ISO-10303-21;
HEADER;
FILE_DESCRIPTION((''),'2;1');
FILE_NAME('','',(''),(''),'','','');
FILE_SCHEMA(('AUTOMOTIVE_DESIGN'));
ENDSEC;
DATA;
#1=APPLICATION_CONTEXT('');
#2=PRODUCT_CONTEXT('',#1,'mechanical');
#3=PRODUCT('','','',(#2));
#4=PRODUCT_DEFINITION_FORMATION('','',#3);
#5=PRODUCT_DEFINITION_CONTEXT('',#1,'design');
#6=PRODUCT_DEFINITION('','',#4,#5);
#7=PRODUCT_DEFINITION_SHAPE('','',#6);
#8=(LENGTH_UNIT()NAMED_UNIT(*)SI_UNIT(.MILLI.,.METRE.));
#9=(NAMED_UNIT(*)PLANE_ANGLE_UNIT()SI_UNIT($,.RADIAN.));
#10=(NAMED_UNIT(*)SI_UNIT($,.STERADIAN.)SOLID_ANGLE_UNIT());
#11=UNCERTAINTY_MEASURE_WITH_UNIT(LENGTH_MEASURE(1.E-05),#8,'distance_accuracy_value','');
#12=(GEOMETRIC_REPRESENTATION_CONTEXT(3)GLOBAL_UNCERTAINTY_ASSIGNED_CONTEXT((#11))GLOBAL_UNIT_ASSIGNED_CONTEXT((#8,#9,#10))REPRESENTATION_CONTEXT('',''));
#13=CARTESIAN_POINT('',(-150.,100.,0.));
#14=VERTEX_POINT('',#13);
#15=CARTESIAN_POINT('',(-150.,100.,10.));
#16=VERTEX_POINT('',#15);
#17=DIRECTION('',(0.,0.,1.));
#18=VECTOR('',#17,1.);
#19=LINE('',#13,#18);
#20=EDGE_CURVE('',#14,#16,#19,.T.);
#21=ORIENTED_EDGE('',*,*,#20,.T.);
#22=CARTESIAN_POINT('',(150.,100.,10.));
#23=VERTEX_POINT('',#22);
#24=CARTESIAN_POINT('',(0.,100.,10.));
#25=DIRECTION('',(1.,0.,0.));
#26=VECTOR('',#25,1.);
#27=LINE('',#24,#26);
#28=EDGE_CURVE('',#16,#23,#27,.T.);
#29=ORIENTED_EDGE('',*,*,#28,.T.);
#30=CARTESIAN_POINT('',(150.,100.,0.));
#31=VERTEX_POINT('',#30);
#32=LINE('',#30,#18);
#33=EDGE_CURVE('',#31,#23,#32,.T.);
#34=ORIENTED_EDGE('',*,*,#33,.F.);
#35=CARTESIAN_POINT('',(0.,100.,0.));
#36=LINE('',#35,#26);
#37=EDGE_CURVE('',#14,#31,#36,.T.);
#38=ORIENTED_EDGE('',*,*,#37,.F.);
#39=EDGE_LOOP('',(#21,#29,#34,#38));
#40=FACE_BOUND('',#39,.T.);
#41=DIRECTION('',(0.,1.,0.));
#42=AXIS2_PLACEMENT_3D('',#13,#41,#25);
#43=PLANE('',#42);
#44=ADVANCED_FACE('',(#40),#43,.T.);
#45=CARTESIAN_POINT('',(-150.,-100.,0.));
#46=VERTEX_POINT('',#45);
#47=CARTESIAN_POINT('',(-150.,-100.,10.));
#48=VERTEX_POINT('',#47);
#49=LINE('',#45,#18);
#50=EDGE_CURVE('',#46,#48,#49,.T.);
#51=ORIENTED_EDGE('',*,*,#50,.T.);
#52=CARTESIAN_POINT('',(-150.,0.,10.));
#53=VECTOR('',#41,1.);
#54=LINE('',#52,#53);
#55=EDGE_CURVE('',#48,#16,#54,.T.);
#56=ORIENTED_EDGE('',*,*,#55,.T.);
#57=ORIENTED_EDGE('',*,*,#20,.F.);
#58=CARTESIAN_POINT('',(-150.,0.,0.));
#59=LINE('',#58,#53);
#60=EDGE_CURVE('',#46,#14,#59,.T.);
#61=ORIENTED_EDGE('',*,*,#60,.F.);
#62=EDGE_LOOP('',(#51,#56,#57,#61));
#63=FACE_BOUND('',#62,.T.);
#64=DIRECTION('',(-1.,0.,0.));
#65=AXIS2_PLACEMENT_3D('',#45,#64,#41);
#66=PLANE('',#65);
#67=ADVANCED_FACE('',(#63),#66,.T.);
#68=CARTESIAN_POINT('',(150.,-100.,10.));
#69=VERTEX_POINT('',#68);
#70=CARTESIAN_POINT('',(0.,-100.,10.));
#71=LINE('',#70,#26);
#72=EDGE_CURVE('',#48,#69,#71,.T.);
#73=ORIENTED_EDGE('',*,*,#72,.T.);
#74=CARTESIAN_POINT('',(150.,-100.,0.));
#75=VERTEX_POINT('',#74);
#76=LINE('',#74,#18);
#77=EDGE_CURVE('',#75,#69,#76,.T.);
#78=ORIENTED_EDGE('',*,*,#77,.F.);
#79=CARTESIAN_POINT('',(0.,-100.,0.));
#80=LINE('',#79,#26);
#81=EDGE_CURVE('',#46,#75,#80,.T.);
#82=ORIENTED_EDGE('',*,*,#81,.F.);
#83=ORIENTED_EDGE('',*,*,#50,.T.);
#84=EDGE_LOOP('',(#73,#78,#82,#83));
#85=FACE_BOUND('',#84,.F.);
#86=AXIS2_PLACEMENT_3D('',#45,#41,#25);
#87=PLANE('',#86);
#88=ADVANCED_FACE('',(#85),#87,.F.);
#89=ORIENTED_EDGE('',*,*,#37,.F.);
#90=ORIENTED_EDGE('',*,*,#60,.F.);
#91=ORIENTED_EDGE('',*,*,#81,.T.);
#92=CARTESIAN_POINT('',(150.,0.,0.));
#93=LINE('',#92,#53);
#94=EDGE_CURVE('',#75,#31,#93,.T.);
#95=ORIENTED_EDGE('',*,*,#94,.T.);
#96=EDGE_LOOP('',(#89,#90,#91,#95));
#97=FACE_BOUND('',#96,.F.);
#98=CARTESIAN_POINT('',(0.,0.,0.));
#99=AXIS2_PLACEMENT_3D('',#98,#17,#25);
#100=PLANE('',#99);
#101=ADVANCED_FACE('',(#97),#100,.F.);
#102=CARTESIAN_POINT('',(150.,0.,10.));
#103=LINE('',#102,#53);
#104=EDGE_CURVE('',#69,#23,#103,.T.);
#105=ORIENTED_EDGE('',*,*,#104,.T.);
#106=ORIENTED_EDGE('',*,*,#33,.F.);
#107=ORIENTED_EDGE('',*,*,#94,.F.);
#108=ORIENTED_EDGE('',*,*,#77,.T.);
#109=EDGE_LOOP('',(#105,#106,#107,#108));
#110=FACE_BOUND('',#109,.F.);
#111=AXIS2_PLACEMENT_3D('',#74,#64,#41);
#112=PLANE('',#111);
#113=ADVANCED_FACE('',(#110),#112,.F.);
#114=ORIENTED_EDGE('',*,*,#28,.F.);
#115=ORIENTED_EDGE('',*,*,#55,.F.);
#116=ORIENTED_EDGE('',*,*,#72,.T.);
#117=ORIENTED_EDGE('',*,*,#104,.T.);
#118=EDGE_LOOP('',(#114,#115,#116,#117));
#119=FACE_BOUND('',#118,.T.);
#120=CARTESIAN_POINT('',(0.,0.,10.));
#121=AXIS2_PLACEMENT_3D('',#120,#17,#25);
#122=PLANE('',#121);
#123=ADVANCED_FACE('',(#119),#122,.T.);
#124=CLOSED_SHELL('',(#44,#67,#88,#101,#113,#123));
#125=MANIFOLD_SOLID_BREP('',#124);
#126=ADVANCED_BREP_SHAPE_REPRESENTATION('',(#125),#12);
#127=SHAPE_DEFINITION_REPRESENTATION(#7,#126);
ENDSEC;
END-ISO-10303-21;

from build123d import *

# Parameters (mm, degrees)
F0_W     = 300
F0_H     = 200
F0_W_2   = 230
F0_H_2   = 160
F1_DEPTH = 10


with BuildPart() as f1:
    # F0 (on Top) → F1 (new body)
    with BuildSketch(Plane.XY):
        Rectangle(F0_W, F0_H)
        Rectangle(F0_W_2, F0_H_2, mode=Mode.SUBTRACT)
        Rectangle(F0_W_2, F0_H_2)
    extrude(amount=F1_DEPTH)


solid = f1.part
